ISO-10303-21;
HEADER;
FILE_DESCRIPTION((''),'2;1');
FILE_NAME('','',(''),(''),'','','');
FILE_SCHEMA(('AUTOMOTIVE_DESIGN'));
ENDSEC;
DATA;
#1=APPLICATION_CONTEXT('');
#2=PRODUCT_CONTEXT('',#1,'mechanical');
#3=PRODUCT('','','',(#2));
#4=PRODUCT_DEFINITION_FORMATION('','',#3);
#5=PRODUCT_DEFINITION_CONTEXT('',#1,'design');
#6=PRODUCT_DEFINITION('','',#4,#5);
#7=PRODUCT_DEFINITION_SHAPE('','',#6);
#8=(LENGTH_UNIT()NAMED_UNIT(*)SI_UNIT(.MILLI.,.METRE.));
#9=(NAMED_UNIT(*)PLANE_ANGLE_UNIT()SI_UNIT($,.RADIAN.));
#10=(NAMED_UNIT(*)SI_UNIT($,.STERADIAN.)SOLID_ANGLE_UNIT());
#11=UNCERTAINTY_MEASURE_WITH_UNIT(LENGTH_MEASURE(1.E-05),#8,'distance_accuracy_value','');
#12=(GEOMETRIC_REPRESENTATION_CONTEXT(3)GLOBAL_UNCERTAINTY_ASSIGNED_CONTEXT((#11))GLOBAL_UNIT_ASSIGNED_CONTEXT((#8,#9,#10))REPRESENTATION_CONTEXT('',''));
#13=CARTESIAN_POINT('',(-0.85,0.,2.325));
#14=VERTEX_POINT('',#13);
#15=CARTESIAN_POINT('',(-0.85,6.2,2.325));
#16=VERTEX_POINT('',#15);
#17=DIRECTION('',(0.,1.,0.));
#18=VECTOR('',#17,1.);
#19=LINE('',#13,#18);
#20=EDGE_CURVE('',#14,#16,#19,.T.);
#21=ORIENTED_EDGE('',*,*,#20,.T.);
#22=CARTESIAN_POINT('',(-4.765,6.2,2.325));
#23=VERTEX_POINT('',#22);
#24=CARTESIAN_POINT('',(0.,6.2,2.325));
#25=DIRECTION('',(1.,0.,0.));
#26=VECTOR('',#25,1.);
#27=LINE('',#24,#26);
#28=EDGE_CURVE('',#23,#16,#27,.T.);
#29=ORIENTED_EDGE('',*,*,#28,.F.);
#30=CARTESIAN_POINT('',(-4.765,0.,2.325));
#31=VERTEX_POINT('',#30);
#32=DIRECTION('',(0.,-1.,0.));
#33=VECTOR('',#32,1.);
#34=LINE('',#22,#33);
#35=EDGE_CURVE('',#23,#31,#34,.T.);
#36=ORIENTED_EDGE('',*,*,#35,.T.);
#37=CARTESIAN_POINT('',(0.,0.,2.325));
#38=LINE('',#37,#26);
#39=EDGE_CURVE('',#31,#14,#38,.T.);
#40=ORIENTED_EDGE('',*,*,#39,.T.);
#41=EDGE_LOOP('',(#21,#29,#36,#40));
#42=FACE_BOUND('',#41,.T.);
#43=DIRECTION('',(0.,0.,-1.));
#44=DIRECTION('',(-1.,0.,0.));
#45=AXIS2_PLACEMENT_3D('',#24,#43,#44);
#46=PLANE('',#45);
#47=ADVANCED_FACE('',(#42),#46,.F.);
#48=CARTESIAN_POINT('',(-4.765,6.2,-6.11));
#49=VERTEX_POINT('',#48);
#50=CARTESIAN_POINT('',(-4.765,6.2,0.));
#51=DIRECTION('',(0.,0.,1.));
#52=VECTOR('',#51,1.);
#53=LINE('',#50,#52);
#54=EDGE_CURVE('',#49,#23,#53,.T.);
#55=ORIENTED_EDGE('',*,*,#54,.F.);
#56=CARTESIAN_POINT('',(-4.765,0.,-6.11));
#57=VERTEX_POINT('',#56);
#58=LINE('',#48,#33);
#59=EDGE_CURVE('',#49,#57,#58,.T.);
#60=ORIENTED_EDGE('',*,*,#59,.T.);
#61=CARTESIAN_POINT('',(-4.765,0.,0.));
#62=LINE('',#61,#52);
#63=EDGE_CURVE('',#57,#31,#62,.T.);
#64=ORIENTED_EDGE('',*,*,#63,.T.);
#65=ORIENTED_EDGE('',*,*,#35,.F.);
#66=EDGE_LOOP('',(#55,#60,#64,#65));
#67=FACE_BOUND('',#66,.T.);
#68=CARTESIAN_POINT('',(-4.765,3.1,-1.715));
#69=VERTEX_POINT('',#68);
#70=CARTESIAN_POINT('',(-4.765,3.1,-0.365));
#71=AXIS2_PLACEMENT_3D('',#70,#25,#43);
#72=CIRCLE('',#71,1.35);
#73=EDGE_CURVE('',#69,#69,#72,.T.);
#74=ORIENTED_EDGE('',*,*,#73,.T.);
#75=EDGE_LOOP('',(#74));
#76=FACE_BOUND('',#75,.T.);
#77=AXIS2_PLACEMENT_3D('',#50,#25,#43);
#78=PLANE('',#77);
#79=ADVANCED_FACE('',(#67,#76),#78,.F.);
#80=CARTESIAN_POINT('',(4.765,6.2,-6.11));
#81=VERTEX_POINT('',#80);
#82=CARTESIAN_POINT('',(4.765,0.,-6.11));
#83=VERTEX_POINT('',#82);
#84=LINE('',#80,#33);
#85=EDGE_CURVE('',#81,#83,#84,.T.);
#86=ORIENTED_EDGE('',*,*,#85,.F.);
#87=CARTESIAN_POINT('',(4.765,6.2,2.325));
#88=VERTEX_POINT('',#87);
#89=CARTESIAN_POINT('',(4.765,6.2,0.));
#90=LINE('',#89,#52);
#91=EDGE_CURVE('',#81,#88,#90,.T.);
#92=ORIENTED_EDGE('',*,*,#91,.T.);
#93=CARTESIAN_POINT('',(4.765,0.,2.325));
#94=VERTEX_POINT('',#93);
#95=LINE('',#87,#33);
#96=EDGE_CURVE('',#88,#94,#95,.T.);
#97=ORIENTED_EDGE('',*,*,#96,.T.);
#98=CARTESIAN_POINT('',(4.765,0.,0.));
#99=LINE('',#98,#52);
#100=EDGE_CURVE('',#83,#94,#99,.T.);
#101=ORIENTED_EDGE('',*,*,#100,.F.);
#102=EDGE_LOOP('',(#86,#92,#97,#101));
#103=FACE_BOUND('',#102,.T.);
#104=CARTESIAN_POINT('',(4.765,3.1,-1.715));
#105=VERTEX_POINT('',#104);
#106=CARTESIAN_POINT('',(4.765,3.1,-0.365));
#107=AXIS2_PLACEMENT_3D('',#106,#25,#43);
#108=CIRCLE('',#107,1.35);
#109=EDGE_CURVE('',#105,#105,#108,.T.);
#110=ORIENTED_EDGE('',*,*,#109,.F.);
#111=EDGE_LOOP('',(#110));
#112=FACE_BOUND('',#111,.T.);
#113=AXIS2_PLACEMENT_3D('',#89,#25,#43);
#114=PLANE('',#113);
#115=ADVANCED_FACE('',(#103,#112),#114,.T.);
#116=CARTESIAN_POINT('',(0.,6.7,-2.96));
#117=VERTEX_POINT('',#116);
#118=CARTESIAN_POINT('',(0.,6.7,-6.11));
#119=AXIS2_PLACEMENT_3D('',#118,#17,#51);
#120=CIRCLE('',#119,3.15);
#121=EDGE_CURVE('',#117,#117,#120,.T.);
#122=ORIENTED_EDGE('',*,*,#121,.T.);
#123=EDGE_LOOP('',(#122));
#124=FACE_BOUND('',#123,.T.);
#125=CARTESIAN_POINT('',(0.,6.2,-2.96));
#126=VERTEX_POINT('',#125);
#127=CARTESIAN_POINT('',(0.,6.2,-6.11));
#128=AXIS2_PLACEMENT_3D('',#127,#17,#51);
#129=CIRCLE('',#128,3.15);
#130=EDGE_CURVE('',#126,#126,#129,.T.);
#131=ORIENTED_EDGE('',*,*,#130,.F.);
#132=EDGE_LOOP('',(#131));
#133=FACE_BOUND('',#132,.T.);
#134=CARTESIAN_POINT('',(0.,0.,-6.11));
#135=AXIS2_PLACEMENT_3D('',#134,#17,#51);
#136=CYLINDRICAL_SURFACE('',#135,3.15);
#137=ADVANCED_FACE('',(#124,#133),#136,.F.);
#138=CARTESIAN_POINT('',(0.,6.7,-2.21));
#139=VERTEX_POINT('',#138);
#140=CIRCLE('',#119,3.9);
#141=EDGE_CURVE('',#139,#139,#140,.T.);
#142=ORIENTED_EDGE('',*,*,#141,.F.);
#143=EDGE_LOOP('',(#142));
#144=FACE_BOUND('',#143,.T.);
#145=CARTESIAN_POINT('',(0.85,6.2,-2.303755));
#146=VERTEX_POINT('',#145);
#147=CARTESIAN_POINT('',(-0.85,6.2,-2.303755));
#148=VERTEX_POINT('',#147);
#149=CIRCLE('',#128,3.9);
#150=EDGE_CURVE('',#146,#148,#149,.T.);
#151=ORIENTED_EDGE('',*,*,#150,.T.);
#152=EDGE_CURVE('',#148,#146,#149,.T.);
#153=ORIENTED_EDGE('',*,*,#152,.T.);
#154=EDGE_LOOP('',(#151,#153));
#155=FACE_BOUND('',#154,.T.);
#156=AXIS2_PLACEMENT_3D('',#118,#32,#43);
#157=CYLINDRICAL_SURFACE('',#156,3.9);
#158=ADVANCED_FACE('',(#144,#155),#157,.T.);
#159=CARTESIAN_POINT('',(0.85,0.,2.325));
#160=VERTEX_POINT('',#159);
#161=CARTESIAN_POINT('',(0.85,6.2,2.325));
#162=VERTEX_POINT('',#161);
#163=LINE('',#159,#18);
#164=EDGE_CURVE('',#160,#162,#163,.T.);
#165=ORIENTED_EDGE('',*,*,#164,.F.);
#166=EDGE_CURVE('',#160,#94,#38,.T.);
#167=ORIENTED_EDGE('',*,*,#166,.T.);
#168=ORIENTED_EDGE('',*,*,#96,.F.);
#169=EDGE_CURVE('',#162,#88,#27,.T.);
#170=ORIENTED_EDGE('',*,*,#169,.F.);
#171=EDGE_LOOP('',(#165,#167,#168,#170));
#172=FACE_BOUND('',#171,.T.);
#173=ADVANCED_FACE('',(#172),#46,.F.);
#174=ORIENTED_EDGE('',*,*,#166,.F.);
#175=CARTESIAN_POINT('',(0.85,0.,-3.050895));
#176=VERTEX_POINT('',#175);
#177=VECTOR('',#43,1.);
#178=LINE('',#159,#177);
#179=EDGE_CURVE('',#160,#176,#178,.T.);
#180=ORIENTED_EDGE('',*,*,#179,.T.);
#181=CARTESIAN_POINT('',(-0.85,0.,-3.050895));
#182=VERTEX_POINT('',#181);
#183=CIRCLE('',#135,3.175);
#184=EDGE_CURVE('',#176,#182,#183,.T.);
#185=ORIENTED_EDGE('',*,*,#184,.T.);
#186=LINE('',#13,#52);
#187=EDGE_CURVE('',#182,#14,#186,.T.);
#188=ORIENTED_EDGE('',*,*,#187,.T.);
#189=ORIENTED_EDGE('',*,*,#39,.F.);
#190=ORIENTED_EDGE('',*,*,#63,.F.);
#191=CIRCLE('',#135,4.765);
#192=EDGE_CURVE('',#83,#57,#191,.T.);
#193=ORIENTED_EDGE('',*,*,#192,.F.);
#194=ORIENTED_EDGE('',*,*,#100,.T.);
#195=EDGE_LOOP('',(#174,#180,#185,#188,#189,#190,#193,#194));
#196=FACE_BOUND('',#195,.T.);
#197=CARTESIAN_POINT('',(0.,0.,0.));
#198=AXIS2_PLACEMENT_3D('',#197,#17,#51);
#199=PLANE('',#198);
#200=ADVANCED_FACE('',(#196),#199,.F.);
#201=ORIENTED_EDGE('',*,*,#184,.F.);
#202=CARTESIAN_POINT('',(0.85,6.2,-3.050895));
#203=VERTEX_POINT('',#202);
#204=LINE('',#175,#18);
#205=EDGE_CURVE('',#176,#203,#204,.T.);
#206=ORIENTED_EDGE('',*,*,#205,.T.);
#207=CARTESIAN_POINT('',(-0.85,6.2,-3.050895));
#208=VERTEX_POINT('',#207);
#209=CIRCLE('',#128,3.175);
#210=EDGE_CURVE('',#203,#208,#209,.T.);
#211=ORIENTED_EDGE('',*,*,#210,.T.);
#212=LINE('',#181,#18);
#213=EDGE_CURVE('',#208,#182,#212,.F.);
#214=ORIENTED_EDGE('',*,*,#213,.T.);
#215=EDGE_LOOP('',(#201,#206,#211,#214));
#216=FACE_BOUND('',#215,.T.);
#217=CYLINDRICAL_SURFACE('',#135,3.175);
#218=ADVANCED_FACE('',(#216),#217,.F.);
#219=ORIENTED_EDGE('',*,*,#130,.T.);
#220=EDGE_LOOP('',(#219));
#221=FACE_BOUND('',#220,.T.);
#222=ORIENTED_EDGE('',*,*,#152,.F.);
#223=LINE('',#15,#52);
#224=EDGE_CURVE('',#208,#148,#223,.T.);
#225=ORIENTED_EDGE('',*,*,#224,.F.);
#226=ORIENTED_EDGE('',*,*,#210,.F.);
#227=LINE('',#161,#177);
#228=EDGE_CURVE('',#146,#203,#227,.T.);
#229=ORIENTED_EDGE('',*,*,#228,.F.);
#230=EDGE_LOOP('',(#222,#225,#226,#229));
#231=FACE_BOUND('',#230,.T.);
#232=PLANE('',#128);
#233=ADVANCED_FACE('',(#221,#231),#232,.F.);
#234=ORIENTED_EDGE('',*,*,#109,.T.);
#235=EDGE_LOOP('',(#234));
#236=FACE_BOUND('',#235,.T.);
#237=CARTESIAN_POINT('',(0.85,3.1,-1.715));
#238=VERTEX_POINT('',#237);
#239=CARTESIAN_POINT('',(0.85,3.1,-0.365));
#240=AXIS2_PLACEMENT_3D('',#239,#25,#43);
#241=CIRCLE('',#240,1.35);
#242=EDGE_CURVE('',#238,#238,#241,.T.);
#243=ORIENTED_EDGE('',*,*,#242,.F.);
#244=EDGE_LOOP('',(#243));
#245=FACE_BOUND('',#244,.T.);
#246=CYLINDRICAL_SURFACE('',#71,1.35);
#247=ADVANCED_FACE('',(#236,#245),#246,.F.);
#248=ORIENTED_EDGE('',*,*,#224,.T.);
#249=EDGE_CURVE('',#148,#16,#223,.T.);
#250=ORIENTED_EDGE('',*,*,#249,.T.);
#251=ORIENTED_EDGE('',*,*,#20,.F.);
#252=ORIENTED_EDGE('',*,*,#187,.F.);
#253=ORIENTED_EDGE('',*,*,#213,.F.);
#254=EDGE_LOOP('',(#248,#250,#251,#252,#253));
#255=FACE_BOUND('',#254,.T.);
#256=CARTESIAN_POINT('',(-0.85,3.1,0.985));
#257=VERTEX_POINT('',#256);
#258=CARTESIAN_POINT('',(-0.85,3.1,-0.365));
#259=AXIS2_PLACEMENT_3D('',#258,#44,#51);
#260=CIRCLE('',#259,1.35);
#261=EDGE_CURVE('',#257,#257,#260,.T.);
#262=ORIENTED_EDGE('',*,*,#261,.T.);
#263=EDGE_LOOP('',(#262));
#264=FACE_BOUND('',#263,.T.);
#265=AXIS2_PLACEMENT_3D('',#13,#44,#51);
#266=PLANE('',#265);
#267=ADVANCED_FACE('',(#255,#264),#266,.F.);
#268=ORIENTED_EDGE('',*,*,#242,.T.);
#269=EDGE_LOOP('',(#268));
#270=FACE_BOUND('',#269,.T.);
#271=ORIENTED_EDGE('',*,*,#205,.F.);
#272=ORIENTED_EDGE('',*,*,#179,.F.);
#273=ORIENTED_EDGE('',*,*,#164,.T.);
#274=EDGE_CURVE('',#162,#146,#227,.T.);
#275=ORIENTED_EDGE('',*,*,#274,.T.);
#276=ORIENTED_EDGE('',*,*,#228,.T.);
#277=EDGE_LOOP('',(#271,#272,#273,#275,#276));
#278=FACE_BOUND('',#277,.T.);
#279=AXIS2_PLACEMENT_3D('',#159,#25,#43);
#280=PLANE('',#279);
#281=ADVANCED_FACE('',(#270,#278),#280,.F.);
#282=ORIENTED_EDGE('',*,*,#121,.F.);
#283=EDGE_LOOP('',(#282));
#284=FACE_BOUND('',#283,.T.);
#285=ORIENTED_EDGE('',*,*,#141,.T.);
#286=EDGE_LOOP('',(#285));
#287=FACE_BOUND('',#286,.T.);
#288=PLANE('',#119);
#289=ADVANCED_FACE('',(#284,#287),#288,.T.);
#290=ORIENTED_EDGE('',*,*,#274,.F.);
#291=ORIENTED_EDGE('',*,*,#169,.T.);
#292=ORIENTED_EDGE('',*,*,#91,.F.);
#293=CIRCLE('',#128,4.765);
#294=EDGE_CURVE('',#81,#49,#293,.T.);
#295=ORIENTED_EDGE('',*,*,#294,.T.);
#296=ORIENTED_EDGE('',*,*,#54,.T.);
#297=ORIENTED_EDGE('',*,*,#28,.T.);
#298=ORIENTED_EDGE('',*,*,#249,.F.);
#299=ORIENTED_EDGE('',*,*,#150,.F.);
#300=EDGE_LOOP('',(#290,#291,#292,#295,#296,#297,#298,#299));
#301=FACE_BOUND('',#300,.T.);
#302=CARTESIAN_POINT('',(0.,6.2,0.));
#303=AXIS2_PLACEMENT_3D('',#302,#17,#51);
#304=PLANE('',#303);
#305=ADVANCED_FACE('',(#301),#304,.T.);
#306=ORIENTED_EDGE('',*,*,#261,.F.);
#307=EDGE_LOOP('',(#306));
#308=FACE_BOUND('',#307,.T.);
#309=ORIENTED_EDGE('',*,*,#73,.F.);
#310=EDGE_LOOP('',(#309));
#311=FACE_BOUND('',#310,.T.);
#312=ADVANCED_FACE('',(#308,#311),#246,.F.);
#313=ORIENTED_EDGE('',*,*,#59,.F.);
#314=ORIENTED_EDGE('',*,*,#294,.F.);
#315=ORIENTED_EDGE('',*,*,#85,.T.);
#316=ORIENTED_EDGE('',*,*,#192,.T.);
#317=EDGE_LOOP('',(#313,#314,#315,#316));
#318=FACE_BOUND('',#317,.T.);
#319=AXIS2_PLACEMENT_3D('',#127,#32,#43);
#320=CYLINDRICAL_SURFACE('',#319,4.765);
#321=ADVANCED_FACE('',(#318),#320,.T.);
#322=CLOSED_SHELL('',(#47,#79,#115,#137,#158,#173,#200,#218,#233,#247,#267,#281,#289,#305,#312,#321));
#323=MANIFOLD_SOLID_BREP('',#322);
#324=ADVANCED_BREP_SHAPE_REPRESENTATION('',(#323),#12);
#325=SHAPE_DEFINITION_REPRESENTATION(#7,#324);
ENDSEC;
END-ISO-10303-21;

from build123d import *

# Parameters (mm, degrees)
CROQUIS1_R              = 4.765
CROQUIS1_W              = 9.53
CROQUIS1_H              = 4.65
SALIENTE_EXTRUIR1_DEPTH = 6.2
CROQUIS2_R              = 3.175
CORTAR_EXTRUIR1_DEPTH   = 6.2
CROQUIS3_W              = 1.7
CROQUIS3_H              = 5.8
CORTAR_EXTRUIR2_DEPTH   = 6.2
CROQUIS4_R              = 1.35
CORTAR_EXTRUIR3_DEPTH   = 10.53
CROQUIS5_R              = 3.9
SALIENTE_EXTRUIR2_DEPTH = 0.5
CROQUIS6_R              = 3.15
CORTAR_EXTRUIR4_DEPTH   = 7.7


with BuildPart() as part:
    # Croquis1 → Saliente-Extruir1 (new body)
    with BuildSketch(Plane(origin=(0, 0, 0), x_dir=(1, 0, 0), z_dir=(0, 1, 0))):
        with Locations((0, 6.11)):
            Circle(CROQUIS1_R)
        Rectangle(CROQUIS1_W, CROQUIS1_H)
        with BuildLine():
            ThreePointArc((4.765, 6.11), (0, 10.875), (-4.765, 6.11))
            ThreePointArc((-4.765, 6.11), (-4.271898488, 3.999050378), (-2.894650238, 2.325))
            Line((-2.894650238, 2.325), (2.894650238, 2.325))
            ThreePointArc((2.894650238, 2.325), (4.271898488, 3.999050378), (4.765, 6.11))
        make_face()
        with BuildLine():
            Line((2.894650238, 2.325), (-2.894650238, 2.325))
            ThreePointArc((-2.894650238, 2.325), (0, 1.345), (2.894650238, 2.325))
        make_face()
        with BuildLine():
            Line((-4.765, 6.11), (-4.765, 2.325))
            Line((-4.765, 2.325), (-2.894650238, 2.325))
            ThreePointArc((-2.894650238, 2.325), (-4.271898488, 3.999050378), (-4.765, 6.11))
        make_face()
        with BuildLine():
            Line((4.765, 2.325), (4.765, 6.11))
            ThreePointArc((4.765, 6.11), (4.271898488, 3.999050378), (2.894650238, 2.325))
            Line((2.894650238, 2.325), (4.765, 2.325))
        make_face()
    extrude(amount=SALIENTE_EXTRUIR1_DEPTH)

    # Croquis2 → Cortar-Extruir1 (cut)
    with BuildSketch(Plane(origin=(0, 6.2, 0), x_dir=(1, 0, 0), z_dir=(0, 1, 0))):
        with Locations((0, 6.11)):
            Circle(CROQUIS2_R)
    extrude(amount=-CORTAR_EXTRUIR1_DEPTH, mode=Mode.SUBTRACT)

    # Croquis3 → Cortar-Extruir2 (cut)
    with BuildSketch(Plane(origin=(0, 6.2, 0), x_dir=(1, 0, 0), z_dir=(0, 1, 0))):
        with Locations((0, 0.575)):
            Rectangle(CROQUIS3_W, CROQUIS3_H)
    extrude(amount=-CORTAR_EXTRUIR2_DEPTH, mode=Mode.SUBTRACT)

    # Croquis4 → Cortar-Extruir3 (cut, through all)
    with BuildSketch(Plane(origin=(4.765, 0, 0), x_dir=(0, 0, -1), z_dir=(1, 0, 0))):
        with Locations((0.365, 3.1)):
            Circle(CROQUIS4_R)
    extrude(amount=-CORTAR_EXTRUIR3_DEPTH, mode=Mode.SUBTRACT)

    # Croquis5 → Saliente-Extruir2 (add)
    with BuildSketch(Plane(origin=(0, 6.2, 0), x_dir=(1, 0, 0), z_dir=(0, 1, 0))):
        with Locations((0, 6.11)):
            Circle(CROQUIS5_R)
    extrude(amount=SALIENTE_EXTRUIR2_DEPTH)

    # Croquis6 → Cortar-Extruir4 (cut, through all)
    with BuildSketch(Plane(origin=(0, 6.7, 0), x_dir=(1, 0, 0), z_dir=(0, 1, 0))):
        with Locations((0, 6.11)):
            Circle(CROQUIS6_R)
    extrude(amount=-CORTAR_EXTRUIR4_DEPTH, mode=Mode.SUBTRACT)


solid = part.part
